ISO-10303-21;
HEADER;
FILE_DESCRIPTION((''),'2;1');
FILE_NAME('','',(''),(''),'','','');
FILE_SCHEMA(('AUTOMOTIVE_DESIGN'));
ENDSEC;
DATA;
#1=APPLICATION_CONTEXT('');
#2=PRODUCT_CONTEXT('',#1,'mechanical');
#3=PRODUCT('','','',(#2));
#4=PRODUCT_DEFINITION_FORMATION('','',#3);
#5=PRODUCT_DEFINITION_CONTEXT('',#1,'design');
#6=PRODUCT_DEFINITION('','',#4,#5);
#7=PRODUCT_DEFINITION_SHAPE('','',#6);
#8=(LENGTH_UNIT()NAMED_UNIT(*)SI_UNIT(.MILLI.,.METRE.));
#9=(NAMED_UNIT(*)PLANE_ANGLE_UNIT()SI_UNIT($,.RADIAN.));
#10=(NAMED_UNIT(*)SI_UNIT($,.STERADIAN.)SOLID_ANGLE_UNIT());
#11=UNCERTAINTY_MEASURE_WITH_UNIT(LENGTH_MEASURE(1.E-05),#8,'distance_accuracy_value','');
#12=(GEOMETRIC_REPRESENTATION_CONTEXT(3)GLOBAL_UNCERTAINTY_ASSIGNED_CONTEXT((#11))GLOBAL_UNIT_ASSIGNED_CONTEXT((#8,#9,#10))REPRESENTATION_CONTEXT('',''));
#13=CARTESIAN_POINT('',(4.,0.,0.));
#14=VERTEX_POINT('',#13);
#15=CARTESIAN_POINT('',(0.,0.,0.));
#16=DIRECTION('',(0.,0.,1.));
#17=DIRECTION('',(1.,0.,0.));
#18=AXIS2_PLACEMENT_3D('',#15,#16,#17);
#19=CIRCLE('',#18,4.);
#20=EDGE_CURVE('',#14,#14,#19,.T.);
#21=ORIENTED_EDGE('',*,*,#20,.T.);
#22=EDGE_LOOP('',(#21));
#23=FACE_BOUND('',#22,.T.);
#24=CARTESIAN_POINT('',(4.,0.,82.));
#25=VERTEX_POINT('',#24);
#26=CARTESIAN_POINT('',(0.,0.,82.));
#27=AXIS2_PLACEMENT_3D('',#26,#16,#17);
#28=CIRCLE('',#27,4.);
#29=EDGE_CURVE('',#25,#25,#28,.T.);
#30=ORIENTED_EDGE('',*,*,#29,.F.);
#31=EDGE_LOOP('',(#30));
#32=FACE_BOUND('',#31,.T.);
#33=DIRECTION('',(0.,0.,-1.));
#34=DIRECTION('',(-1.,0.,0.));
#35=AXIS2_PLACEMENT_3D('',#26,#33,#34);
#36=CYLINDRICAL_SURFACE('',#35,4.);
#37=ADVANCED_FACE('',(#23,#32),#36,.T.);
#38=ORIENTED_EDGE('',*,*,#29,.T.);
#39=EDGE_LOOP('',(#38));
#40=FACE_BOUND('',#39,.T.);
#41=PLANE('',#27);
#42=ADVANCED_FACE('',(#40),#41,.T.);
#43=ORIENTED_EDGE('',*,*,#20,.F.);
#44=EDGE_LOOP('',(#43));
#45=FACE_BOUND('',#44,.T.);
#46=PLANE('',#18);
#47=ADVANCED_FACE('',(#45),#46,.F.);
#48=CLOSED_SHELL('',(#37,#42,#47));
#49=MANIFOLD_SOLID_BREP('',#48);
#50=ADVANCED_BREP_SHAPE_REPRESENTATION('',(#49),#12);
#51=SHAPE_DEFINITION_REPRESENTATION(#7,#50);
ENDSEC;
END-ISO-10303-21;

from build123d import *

# Parameters (mm, degrees)
ESBO_O1_R                = 4
RESSALTO_EXTRUS_O1_DEPTH = 82


with BuildPart() as part:
    # Esboço1 → Ressalto-extrusão1 (new body)
    with BuildSketch(Plane.XY):
        Circle(ESBO_O1_R)
    extrude(amount=RESSALTO_EXTRUS_O1_DEPTH)


solid = part.part
